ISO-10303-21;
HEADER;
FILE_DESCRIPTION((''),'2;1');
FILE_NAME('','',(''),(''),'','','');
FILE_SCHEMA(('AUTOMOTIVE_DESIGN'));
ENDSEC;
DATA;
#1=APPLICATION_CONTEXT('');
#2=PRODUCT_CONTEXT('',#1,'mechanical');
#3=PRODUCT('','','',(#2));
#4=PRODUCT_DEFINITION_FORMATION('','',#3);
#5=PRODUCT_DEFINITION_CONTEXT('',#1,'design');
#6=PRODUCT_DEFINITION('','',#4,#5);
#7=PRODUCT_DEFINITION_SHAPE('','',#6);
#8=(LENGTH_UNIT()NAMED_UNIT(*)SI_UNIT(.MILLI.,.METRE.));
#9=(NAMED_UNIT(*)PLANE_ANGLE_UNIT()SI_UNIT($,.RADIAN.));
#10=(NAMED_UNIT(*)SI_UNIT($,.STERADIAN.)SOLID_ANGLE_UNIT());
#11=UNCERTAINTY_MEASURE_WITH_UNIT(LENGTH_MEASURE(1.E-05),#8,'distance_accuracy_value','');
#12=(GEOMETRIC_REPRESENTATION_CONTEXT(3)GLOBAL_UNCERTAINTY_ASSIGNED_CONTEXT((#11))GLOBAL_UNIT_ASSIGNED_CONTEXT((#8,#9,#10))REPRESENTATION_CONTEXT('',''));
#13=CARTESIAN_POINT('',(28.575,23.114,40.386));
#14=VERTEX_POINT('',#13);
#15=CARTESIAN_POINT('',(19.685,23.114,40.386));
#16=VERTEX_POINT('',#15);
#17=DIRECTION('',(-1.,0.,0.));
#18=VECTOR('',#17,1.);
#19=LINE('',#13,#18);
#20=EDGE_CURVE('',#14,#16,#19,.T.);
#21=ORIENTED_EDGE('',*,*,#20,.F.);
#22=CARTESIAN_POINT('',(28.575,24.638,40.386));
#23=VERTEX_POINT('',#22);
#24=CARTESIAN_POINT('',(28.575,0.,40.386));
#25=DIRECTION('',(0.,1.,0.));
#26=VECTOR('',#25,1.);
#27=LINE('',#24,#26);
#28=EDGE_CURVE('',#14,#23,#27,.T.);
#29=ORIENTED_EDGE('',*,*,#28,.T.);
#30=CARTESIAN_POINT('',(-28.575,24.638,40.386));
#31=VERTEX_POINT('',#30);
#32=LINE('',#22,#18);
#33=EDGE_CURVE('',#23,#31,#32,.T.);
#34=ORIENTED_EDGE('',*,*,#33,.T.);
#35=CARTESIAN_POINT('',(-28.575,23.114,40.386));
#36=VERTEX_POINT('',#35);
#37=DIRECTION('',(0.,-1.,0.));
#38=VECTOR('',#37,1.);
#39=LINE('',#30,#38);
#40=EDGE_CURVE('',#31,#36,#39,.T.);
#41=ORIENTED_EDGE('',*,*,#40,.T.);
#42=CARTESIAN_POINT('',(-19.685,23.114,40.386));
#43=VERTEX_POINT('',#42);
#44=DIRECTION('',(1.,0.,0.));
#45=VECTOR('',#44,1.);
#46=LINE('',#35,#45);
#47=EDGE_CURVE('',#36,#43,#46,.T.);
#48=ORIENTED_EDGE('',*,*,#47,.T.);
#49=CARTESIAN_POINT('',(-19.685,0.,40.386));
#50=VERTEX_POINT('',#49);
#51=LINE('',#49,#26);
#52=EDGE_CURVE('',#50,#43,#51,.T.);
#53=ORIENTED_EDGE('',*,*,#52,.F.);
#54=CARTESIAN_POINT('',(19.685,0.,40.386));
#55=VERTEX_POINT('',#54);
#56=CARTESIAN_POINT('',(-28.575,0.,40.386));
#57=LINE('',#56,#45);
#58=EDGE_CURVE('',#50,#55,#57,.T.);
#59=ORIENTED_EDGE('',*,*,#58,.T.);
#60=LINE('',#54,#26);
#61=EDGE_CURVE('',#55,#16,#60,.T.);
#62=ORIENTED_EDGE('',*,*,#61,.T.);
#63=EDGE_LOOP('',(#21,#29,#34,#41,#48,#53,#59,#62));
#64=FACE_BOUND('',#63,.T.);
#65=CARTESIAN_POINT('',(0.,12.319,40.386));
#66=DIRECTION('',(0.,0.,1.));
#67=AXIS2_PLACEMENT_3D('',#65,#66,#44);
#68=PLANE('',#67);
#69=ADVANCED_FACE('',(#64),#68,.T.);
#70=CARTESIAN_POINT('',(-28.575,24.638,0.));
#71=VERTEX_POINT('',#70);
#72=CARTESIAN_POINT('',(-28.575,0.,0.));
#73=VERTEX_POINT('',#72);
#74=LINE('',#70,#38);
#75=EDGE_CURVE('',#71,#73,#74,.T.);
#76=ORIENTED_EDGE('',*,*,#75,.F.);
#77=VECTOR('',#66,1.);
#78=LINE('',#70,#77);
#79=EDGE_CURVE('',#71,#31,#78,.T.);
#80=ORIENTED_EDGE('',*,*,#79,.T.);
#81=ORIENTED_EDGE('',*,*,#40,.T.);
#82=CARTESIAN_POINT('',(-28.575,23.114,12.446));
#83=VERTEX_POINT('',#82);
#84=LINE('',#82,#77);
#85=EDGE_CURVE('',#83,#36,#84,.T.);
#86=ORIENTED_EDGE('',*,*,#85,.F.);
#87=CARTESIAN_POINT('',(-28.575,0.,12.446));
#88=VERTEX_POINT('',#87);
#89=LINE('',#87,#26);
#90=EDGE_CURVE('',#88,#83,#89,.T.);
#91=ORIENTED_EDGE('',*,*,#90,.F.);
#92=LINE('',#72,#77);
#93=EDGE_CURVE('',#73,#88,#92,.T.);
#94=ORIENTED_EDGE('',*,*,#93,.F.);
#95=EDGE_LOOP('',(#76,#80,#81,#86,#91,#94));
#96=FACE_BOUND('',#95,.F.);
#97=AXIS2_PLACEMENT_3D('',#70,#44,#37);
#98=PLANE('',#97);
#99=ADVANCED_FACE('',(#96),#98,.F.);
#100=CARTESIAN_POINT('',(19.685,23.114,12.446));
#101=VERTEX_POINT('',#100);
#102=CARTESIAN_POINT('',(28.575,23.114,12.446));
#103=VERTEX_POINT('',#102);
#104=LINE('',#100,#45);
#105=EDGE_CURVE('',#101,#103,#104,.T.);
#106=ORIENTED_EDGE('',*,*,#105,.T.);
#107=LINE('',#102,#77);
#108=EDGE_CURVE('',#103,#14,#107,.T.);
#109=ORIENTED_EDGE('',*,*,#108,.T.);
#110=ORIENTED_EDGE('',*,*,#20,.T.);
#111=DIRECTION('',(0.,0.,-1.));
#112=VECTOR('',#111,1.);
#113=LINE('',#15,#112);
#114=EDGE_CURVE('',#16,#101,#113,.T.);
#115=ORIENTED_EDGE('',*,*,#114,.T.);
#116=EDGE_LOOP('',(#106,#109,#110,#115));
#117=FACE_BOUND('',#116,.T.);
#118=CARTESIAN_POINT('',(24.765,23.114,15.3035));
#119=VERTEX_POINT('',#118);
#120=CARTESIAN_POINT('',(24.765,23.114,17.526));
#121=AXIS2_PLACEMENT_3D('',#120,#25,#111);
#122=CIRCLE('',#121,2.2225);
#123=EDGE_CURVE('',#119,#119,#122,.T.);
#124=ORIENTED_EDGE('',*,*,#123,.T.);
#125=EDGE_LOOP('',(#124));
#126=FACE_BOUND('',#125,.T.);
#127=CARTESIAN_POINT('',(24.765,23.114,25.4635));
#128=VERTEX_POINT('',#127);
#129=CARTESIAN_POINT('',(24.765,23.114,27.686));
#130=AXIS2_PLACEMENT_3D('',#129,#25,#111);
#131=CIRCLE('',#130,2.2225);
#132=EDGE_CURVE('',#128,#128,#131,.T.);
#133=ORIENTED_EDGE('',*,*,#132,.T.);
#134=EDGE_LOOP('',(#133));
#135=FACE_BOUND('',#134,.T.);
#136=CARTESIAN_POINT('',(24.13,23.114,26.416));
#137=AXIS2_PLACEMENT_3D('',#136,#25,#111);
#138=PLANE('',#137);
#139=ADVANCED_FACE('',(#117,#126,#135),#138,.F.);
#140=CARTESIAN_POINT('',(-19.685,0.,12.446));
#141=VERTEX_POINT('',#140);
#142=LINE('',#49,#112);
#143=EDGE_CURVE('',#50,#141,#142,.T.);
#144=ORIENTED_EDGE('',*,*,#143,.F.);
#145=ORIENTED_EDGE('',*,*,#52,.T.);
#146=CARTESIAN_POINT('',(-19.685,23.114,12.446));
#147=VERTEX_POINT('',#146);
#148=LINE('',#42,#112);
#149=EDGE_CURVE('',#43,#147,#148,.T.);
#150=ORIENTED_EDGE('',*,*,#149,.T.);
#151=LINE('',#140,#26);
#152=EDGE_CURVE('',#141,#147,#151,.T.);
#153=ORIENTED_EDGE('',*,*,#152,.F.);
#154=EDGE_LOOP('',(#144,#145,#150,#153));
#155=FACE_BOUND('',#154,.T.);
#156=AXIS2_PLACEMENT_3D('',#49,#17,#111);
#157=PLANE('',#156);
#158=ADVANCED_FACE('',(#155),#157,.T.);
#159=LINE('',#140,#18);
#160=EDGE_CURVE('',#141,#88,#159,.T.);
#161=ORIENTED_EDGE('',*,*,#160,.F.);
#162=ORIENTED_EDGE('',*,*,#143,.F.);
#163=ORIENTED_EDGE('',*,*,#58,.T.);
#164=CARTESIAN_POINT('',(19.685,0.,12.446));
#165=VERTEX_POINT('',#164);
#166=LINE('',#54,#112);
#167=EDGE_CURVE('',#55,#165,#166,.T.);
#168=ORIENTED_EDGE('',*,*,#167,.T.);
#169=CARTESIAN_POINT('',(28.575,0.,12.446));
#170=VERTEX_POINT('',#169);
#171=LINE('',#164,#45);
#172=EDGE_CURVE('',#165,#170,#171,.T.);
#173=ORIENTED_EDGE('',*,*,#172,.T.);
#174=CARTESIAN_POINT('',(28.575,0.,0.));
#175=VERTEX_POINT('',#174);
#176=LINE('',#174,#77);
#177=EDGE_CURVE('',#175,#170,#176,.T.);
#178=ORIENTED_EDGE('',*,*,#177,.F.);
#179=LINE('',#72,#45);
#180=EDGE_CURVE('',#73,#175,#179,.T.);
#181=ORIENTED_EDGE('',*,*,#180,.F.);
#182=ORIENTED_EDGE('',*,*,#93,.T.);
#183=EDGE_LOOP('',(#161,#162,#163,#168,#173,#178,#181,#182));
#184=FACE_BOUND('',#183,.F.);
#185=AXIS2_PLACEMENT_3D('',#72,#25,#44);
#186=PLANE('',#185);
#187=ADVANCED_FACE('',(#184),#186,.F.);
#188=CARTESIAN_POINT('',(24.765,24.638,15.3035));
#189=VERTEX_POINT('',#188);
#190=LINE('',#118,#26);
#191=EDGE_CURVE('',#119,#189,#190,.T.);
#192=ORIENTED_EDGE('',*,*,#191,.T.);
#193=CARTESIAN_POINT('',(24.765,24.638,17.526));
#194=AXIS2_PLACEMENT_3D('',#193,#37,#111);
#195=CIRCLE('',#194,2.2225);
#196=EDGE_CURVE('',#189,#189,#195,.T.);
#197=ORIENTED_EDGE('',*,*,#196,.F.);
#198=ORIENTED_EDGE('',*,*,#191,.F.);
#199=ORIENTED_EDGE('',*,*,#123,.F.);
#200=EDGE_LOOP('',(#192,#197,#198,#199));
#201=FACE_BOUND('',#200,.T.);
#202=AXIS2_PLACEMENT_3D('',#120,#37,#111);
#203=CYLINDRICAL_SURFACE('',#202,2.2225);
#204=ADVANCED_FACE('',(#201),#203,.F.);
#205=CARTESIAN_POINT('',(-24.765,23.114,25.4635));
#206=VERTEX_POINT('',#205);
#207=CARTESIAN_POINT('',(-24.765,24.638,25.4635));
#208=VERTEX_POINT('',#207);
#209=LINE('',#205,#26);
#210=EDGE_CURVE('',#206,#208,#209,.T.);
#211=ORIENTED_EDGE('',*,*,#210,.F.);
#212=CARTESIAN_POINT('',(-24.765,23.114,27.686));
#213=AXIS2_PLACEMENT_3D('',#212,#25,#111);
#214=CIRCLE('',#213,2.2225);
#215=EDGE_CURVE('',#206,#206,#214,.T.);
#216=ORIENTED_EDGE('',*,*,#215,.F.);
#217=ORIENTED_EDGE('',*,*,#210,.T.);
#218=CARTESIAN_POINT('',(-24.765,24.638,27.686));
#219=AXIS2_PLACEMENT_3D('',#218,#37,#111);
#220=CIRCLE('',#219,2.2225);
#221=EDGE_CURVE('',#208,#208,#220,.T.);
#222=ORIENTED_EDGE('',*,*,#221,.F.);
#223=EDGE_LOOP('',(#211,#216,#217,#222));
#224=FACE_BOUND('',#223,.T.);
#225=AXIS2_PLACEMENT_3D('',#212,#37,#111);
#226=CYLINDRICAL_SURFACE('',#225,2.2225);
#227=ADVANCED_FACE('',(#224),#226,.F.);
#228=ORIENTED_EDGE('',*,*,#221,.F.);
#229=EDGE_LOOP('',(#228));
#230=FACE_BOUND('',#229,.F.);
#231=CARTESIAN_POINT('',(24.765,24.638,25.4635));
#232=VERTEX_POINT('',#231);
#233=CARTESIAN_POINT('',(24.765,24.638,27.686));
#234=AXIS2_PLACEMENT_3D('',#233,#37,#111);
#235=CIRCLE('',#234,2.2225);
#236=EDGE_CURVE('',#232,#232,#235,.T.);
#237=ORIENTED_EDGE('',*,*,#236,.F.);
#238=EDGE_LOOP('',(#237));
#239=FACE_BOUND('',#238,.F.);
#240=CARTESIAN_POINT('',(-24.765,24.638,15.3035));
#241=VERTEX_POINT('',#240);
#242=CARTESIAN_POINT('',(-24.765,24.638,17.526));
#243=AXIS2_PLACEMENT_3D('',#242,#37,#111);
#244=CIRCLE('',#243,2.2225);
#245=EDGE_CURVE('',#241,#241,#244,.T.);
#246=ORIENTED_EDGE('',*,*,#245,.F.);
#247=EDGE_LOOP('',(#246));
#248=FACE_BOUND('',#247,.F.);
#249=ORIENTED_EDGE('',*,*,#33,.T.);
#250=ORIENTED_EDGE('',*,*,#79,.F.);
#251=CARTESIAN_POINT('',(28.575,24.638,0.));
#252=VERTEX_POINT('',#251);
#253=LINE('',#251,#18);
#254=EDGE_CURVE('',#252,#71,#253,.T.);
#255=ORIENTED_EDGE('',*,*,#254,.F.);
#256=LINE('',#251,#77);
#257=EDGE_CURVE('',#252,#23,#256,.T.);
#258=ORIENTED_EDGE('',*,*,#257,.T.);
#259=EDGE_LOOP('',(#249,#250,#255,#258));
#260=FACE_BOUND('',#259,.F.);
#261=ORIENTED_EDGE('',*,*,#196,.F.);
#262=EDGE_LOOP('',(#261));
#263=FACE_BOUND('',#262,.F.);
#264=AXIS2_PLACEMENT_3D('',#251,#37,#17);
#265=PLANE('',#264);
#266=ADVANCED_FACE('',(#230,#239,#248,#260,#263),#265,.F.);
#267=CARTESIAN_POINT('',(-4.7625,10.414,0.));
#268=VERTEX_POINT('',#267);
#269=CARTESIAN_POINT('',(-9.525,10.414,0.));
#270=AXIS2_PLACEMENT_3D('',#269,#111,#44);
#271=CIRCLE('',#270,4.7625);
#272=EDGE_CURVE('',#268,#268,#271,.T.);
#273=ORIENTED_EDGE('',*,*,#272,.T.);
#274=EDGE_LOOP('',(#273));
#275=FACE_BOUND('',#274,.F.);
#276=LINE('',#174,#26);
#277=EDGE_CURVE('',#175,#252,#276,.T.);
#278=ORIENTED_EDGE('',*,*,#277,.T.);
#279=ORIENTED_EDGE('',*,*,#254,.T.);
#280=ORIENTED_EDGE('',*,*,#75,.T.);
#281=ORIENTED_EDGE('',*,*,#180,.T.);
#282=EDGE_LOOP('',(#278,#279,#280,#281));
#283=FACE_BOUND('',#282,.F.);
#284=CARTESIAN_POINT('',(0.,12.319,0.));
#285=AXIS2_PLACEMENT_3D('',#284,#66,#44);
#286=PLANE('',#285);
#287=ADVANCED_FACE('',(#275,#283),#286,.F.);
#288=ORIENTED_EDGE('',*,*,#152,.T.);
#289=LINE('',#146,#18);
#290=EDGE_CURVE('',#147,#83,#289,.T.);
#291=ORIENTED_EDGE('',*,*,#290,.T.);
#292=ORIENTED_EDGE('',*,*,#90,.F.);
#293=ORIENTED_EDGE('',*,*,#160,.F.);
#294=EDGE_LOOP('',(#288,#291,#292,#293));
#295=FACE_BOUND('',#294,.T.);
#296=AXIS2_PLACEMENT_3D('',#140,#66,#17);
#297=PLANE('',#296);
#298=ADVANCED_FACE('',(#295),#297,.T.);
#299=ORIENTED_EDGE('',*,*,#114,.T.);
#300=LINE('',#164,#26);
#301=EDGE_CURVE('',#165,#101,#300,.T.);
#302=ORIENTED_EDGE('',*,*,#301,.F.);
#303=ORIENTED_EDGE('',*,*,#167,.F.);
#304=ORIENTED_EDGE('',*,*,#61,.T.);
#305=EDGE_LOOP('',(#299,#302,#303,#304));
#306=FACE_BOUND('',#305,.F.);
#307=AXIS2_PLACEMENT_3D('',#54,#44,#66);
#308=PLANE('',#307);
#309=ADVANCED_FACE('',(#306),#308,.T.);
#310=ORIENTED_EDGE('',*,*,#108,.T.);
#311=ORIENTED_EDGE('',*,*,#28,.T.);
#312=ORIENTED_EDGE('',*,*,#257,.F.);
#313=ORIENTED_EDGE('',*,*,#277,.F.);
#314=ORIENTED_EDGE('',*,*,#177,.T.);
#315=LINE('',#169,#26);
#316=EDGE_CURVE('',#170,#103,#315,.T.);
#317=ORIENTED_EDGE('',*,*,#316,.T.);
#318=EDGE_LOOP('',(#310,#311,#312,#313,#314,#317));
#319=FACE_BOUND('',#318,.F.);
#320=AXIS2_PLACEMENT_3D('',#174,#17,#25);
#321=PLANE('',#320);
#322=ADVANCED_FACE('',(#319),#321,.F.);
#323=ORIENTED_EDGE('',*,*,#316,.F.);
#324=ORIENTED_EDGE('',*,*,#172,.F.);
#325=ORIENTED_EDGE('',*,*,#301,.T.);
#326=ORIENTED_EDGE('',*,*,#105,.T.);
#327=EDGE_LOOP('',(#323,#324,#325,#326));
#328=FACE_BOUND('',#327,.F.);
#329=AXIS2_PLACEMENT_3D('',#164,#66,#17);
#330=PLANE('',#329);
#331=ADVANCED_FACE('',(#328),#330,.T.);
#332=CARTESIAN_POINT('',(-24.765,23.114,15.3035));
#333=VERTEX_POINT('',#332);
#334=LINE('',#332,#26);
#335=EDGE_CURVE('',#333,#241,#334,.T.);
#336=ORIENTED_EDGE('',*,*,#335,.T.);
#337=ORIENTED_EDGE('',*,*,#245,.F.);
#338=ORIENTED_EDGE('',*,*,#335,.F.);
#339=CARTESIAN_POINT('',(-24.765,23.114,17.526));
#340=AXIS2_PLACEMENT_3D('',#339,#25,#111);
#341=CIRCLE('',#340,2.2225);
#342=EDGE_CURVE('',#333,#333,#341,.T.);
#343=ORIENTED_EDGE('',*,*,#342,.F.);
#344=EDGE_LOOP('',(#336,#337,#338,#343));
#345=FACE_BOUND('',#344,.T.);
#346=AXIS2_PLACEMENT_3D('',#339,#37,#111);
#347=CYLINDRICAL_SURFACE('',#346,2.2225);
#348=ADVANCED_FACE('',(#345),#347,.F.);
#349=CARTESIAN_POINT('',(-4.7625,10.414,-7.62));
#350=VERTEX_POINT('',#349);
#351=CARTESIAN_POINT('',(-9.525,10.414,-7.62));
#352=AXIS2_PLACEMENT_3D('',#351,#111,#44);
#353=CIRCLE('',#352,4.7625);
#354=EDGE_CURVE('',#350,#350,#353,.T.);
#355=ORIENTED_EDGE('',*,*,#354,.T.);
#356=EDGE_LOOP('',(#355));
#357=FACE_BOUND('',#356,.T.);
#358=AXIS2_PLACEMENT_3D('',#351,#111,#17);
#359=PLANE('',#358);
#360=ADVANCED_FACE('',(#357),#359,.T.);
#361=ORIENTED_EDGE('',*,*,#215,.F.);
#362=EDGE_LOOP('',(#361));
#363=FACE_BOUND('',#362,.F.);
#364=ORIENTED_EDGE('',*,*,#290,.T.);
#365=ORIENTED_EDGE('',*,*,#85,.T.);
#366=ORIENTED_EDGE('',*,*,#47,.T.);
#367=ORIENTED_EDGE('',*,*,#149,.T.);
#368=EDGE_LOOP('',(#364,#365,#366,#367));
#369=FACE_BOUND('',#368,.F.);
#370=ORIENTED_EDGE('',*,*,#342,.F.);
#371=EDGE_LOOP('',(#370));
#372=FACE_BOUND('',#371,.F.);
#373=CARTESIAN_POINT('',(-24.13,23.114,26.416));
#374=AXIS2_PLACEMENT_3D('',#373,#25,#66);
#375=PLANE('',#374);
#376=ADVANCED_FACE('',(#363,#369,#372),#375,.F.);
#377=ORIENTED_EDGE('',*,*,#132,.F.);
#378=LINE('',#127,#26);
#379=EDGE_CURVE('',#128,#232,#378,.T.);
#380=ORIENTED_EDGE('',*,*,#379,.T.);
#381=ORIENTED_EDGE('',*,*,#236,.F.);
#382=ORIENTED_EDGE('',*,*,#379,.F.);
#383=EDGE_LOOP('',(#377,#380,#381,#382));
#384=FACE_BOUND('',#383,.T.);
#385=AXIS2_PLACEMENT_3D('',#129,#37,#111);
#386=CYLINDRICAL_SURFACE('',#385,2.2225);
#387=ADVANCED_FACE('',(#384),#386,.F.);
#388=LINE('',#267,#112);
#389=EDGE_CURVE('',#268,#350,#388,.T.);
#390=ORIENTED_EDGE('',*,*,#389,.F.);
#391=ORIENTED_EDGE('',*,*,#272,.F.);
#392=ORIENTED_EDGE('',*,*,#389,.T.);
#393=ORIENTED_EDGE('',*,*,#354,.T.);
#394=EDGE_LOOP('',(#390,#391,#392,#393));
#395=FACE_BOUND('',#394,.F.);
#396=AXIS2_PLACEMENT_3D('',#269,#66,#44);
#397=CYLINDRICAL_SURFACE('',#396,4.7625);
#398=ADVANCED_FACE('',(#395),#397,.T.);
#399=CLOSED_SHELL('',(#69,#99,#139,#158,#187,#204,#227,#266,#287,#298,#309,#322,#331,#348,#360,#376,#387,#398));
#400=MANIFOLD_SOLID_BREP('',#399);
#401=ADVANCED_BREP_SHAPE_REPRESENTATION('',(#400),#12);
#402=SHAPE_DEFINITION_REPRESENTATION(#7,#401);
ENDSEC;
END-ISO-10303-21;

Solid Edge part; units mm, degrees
sketch "Sketch1" plane through (0, 0, 0) normal (0, 0, 1) x (1, 0, 0)
  line L0 (-28.575, 0) -> (28.575, 0)
  line L1 (28.575, 0) -> (28.575, 24.638)
  line L2 (28.575, 24.638) -> (-28.575, 24.638)
  line L3 (-28.575, 24.638) -> (-28.575, 0)
  dimension "D1" = 57.15
  dimension "D2" = 24.638
extrude "Protrusion1" add sketch "Sketch1" along normal blind 40.386
sketch "Sketch2" plane through (0, 12.319, 0) normal (0, 0, -1) x (1, 0, 0)
  circle A0 centre (-9.525, 1.905) radius 4.7625
  dimension "D1" = 9.525
  dimension "D2" = 19.05
  dimension "D3" = 14.224
extrude "ExtrudedProtrusion_2" add sketch "Sketch2" along normal blind 7.62
sketch "Sketch3" plane through (0, 0, 20.193) normal (0, -1, 0) x (1, 0, 0)
  line L0 (-28.575, 20.193) -> (-19.685, 20.193)
  line L1 (-19.685, 20.193) -> (-19.685, -7.747)
  line L2 (-19.685, -7.747) -> (-28.575, -7.747)
  line L3 (-28.575, -7.747) -> (-28.575, 20.193)
  dimension "D1" = 27.94
  dimension "D2" = 8.89
extrude "ExtrudedCutout_1" cut sketch "Sketch3" against normal blind 23.114
mirror "Mirror1" about plane through (0, 0, 0) normal (1, 0, 0) of "ExtrudedCutout_1"
hole "Hole_1" at (-24.765, 23.114, 17.526) direction (0, 1, 0) diameter 4.445 end up to next
hole "Hole1" at (24.765, 23.114, 17.526) direction (0, 1, 0) diameter 4.445 end up to next
hole "Hole2" at (24.765, 23.114, 27.686) direction (0, 1, 0) diameter 4.445 end up to next
hole "Hole3" at (-24.765, 23.114, 27.686) direction (0, 1, 0) diameter 4.445 end up to next
